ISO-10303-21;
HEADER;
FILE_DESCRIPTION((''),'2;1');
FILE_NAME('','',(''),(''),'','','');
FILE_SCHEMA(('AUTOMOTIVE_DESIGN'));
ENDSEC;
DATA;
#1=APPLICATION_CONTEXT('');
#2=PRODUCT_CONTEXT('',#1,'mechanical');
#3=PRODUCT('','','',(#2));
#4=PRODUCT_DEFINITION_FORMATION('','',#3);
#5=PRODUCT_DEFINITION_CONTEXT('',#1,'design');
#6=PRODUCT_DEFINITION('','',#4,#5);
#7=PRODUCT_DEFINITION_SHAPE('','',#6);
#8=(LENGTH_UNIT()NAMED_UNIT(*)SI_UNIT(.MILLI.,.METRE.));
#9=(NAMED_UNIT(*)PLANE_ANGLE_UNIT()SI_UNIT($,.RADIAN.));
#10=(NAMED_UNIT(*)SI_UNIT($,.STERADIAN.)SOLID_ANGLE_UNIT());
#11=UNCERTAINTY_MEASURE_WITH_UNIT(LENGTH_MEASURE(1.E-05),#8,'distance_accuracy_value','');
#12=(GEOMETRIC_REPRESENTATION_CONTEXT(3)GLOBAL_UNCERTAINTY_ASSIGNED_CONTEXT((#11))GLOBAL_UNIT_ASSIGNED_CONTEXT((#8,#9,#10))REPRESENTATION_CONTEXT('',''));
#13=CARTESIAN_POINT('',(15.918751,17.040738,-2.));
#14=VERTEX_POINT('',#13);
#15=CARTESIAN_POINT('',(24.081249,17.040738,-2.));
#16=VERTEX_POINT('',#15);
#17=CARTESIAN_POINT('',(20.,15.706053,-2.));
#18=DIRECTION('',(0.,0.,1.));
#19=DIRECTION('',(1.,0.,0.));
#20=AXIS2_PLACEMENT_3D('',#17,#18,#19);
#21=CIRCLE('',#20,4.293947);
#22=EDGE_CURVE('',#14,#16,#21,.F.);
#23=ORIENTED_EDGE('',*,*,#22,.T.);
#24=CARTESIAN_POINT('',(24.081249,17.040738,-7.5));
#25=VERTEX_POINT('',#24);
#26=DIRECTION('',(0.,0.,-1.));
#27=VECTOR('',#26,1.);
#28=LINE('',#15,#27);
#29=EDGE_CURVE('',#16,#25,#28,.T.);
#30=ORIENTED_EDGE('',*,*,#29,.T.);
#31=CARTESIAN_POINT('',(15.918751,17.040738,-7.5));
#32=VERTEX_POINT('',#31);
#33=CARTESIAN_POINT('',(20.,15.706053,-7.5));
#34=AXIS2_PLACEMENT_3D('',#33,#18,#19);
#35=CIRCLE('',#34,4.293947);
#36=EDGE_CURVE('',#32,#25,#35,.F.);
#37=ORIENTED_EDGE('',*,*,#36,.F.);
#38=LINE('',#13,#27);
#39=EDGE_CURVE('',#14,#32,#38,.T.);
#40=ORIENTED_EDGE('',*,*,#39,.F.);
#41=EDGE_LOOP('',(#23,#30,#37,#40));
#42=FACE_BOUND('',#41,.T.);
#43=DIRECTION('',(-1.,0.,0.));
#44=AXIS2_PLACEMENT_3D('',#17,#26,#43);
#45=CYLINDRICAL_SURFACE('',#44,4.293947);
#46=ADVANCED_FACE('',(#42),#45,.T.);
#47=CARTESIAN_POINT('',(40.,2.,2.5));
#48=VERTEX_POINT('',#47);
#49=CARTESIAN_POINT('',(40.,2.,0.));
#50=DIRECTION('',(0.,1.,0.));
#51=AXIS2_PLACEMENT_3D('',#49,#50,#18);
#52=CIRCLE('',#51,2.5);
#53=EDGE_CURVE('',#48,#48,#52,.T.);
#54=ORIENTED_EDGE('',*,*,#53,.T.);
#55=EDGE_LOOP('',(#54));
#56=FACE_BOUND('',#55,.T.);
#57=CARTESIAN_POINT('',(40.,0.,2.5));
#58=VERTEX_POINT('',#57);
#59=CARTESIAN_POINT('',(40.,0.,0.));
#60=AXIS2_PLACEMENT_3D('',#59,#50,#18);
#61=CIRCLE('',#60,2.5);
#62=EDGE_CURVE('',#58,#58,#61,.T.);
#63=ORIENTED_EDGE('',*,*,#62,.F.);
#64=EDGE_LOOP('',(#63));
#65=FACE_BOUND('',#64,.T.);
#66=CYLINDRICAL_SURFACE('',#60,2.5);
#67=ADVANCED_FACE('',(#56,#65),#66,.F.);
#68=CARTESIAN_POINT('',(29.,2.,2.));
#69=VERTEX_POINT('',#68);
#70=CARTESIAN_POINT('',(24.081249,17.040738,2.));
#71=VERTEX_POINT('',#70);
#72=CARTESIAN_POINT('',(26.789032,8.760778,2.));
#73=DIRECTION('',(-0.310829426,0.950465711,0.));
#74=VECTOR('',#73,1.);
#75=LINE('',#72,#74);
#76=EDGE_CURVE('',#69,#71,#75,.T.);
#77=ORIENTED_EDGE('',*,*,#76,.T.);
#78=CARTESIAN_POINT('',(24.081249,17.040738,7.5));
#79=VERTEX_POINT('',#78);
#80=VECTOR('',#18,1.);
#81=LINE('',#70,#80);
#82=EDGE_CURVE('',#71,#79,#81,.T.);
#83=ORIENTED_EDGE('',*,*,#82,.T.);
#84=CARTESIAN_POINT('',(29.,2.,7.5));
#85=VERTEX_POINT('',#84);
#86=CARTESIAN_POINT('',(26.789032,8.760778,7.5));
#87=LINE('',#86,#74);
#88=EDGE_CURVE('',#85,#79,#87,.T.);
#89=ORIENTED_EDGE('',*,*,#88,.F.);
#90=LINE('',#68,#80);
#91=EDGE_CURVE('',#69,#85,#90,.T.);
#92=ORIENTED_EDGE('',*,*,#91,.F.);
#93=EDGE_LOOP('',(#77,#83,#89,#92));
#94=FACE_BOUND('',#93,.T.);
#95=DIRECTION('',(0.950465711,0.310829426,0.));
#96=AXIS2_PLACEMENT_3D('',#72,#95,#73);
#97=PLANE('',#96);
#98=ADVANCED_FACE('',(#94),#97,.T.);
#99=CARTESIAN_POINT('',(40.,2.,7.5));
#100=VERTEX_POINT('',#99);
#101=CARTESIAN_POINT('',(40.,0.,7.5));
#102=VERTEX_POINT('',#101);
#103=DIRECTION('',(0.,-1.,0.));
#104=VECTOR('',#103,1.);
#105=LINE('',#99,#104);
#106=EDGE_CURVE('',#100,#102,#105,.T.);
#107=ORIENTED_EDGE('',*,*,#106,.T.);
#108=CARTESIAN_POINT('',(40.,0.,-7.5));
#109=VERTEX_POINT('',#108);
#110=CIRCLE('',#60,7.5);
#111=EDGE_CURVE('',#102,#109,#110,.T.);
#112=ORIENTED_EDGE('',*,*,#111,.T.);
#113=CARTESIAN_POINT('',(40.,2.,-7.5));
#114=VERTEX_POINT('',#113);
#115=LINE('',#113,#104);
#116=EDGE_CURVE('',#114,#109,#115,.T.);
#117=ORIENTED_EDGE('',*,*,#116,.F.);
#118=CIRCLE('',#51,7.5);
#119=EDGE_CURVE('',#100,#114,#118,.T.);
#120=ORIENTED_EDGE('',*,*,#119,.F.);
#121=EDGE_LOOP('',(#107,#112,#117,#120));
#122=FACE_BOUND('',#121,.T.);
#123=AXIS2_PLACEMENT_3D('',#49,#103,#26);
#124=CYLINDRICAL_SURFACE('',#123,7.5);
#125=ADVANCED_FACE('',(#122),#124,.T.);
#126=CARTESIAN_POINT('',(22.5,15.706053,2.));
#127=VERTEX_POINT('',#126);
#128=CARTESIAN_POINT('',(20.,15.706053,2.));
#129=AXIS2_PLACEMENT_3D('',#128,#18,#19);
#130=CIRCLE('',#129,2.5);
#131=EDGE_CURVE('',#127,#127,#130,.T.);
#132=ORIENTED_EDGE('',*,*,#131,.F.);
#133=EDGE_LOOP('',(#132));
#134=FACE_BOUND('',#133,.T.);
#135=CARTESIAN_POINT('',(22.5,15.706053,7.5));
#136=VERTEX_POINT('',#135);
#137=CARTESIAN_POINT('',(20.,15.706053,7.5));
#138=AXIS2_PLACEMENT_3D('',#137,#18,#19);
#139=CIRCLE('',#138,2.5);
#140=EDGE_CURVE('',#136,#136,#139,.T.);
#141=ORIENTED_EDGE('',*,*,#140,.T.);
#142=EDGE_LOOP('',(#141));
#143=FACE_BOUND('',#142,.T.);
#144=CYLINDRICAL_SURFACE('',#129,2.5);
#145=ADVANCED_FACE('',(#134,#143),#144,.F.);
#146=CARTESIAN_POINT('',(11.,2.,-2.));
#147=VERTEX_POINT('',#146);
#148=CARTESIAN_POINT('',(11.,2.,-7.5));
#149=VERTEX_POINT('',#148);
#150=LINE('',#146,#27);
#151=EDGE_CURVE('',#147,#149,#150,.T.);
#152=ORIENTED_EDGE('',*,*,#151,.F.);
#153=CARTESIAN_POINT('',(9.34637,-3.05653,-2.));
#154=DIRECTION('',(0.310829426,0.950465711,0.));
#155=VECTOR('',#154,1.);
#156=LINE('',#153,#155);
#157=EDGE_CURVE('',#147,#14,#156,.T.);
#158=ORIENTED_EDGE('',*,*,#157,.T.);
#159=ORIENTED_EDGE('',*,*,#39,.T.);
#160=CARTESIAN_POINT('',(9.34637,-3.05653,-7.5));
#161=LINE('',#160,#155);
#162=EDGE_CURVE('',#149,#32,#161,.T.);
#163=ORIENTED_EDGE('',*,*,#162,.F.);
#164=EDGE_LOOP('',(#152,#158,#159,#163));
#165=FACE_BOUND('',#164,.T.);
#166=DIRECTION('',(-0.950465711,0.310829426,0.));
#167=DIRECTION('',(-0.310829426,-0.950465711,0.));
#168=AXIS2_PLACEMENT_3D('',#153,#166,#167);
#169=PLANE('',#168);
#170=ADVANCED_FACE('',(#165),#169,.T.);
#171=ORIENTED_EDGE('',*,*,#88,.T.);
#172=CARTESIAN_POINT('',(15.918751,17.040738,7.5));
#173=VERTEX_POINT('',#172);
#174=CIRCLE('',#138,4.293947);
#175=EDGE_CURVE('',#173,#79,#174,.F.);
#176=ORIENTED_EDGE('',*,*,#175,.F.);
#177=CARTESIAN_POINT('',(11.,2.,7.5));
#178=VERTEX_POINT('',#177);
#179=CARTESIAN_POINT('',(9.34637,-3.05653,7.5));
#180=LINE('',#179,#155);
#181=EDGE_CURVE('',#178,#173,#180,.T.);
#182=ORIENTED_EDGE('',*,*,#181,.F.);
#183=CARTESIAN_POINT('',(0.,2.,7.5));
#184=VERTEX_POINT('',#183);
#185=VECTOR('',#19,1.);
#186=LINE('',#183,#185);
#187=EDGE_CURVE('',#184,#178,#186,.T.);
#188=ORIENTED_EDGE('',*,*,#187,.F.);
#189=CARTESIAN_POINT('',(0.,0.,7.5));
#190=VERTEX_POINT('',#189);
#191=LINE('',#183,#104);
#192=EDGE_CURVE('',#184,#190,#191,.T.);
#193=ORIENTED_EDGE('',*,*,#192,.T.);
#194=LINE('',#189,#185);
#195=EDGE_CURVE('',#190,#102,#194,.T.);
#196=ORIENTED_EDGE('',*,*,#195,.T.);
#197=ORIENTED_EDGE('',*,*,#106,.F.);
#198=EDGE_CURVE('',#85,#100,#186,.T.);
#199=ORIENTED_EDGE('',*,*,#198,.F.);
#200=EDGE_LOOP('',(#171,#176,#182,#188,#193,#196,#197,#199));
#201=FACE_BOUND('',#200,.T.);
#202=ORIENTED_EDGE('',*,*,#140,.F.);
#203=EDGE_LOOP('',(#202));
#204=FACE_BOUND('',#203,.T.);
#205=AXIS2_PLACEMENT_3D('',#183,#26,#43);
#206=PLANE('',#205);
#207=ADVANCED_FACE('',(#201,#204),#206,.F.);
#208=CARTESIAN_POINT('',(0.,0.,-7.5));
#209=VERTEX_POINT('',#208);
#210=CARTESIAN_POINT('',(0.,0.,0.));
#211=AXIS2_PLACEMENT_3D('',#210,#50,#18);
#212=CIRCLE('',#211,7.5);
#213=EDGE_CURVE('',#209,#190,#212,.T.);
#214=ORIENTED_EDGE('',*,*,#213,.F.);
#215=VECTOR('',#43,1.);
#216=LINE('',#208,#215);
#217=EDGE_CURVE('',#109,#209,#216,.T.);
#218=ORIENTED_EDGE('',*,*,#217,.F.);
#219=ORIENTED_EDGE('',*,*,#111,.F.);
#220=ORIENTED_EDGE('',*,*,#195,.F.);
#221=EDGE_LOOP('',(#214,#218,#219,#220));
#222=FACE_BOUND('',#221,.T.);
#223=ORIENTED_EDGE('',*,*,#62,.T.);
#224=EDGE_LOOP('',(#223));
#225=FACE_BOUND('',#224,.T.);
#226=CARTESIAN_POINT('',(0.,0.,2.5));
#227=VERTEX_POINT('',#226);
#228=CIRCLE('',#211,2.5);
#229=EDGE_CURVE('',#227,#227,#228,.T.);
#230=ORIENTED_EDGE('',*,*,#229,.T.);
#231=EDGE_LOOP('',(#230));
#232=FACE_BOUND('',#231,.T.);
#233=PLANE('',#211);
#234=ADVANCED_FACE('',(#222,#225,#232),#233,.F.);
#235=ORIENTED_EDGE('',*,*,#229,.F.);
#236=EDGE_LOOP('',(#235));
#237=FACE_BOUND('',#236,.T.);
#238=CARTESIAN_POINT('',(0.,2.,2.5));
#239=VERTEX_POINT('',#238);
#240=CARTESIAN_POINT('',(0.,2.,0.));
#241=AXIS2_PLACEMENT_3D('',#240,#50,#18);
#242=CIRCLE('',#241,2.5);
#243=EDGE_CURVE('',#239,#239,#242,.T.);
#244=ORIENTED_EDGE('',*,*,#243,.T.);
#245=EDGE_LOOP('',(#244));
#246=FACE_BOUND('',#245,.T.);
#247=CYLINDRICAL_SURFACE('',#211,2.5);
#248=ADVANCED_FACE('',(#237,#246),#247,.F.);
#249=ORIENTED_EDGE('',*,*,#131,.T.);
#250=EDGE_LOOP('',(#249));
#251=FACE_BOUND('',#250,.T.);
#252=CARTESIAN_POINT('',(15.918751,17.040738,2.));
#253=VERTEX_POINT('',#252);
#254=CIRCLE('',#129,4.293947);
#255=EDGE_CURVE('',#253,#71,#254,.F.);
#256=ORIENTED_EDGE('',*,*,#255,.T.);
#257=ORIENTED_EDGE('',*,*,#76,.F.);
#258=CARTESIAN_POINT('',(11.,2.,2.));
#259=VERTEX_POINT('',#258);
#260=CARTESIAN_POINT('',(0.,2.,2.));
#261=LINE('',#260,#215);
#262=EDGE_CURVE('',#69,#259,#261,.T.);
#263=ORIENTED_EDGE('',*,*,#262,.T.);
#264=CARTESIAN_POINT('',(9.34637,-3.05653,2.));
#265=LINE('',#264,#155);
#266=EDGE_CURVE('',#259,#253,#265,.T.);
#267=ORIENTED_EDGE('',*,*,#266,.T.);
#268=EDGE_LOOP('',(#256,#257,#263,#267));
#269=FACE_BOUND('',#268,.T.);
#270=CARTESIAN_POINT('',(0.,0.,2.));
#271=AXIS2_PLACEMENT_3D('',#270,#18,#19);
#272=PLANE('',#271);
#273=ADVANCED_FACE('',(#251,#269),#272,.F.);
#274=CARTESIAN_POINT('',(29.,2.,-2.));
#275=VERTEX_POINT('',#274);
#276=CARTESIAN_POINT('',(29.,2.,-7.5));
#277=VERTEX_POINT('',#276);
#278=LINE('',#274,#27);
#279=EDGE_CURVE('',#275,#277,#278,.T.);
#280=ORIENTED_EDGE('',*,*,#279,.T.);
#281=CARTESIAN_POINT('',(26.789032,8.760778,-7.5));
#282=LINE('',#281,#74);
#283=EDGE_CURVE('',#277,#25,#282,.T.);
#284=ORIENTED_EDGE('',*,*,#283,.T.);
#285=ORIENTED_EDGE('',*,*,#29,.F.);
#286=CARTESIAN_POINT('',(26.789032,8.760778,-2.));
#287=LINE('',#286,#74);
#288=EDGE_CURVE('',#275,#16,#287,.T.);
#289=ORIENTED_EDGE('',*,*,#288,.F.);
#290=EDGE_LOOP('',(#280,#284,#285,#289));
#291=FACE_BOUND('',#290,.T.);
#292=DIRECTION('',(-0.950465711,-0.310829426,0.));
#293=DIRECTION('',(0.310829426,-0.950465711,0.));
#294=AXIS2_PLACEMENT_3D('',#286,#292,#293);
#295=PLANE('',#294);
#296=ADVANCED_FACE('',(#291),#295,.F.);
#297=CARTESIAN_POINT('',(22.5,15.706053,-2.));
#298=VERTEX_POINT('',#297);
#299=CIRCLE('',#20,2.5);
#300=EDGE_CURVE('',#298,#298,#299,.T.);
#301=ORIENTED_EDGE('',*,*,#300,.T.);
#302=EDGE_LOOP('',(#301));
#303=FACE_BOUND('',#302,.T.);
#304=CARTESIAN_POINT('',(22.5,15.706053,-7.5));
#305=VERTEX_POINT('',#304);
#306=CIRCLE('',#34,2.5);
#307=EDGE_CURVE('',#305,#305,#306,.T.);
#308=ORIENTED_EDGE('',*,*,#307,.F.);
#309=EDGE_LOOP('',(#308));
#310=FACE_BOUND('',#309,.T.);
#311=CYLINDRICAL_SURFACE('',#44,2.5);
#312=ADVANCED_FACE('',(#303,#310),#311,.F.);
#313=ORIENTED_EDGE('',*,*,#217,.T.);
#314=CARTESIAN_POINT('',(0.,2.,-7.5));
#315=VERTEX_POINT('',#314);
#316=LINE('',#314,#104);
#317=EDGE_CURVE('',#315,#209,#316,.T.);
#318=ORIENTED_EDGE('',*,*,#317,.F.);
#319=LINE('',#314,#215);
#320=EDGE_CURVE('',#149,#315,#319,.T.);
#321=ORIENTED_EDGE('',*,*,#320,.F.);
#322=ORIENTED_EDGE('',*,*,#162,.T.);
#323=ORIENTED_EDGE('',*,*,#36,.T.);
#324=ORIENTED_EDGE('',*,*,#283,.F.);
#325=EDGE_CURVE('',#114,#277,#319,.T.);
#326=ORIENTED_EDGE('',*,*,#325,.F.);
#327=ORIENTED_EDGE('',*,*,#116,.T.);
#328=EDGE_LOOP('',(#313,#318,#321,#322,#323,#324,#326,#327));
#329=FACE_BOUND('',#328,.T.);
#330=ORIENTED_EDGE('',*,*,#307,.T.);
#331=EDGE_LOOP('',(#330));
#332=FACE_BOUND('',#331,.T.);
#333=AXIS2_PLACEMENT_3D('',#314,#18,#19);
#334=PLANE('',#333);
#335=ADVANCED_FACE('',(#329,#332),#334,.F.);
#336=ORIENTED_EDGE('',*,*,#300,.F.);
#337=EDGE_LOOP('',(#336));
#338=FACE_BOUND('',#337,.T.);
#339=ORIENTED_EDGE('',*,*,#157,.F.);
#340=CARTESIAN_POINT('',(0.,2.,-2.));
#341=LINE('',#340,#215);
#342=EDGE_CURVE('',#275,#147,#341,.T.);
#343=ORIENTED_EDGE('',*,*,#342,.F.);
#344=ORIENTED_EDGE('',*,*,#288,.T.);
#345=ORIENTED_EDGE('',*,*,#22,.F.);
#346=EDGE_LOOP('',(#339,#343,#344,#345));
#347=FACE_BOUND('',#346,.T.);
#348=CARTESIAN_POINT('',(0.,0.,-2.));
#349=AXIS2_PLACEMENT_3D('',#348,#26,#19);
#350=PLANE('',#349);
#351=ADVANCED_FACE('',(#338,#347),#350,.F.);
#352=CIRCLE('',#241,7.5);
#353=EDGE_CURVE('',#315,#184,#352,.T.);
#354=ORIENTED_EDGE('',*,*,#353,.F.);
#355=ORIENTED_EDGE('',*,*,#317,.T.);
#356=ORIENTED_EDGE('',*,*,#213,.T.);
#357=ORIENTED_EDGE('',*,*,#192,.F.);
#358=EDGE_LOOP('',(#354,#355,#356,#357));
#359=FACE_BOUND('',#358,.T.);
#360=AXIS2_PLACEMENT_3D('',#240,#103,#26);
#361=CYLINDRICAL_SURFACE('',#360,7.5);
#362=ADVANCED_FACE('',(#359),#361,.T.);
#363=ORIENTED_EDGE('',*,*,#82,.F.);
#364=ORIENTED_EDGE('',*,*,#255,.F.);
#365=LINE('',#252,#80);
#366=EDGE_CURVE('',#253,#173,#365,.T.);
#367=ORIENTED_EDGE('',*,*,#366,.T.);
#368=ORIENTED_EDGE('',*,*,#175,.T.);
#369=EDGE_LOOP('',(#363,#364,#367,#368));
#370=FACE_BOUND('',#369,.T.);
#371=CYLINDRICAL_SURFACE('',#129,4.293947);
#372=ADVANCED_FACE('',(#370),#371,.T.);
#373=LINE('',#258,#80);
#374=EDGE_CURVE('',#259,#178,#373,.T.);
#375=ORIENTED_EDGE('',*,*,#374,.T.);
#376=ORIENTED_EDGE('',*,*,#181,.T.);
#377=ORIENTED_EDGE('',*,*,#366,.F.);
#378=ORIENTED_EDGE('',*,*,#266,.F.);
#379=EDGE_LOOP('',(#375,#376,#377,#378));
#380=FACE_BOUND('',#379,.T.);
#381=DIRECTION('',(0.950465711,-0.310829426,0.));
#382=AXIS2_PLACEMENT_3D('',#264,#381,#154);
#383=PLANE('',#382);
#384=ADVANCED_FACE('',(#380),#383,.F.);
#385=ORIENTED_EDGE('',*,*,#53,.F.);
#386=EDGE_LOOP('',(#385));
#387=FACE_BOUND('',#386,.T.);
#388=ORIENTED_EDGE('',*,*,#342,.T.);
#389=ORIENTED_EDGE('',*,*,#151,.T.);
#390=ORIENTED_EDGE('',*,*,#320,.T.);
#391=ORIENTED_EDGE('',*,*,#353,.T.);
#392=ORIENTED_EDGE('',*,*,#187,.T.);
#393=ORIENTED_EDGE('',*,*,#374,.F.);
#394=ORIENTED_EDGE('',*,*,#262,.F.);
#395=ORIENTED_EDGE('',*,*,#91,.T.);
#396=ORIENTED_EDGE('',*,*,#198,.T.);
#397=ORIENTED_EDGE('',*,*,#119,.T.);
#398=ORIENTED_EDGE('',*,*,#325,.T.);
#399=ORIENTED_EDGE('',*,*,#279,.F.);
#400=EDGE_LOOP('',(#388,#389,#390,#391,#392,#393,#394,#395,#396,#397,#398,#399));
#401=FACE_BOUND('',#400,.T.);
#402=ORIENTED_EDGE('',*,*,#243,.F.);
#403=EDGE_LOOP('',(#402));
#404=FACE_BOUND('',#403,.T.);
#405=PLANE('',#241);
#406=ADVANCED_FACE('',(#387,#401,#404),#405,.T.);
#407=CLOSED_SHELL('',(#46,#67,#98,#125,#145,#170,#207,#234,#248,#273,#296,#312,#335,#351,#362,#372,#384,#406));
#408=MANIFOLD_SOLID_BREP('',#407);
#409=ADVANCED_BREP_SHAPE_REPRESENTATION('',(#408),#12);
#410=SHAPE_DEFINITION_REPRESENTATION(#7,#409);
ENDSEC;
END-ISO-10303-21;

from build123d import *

# Parameters (mm, degrees)
BOSS_EXTRUDE1_DEPTH = 2
SKETCH2_R           = 2.5
BOSS_EXTRUDE2_DEPTH = 5.5
SKETCH3_R           = 2.5
CUT_EXTRUDE1_DEPTH  = 2


with BuildPart() as part:
    # Sketch1 → Boss-Extrude1 (new body)
    with BuildSketch(Plane(origin=(0, 0, 0), x_dir=(1, 0, 0), z_dir=(0, 1, 0))):
        with BuildLine():
            Line((0, 7.5), (40, 7.5))
            ThreePointArc((40, 7.5), (47.5, 0), (40, -7.5))
            Line((40, -7.5), (0, -7.5))
            ThreePointArc((0, -7.5), (-7.5, 0), (0, 7.5))
        make_face()
    extrude(amount=BOSS_EXTRUDE1_DEPTH)

    # Sketch2 → Boss-Extrude2 (add)
    with BuildSketch(Plane.XY.offset(7.5)):
        with BuildLine():
            Line((15.918750874, 17.040738272), (11, 2))
            Line((11, 2), (20, 2))
            Line((20, 2), (29, 2))
            Line((29, 2), (24.081249126, 17.040738272))
            ThreePointArc((24.081249126, 17.040738272), (20, 20), (15.918750874, 17.040738272))
        make_face()
        with Locations((20, 15.706053276)):
            Circle(SKETCH2_R, mode=Mode.SUBTRACT)
    boss_extrude2 = extrude(amount=-BOSS_EXTRUDE2_DEPTH)

    # Mirror1: Boss-Extrude2 across plane
    add(boss_extrude2.mirror(Plane.XY))

    # Sketch3 → Cut-Extrude1 (cut)
    with BuildSketch(Plane(origin=(0, 2, 0), x_dir=(1, 0, 0), z_dir=(0, 1, 0))):
        Circle(SKETCH3_R)
        with Locations((40, 0)):
            Circle(SKETCH3_R)
    extrude(amount=-CUT_EXTRUDE1_DEPTH, mode=Mode.SUBTRACT)


solid = part.part
